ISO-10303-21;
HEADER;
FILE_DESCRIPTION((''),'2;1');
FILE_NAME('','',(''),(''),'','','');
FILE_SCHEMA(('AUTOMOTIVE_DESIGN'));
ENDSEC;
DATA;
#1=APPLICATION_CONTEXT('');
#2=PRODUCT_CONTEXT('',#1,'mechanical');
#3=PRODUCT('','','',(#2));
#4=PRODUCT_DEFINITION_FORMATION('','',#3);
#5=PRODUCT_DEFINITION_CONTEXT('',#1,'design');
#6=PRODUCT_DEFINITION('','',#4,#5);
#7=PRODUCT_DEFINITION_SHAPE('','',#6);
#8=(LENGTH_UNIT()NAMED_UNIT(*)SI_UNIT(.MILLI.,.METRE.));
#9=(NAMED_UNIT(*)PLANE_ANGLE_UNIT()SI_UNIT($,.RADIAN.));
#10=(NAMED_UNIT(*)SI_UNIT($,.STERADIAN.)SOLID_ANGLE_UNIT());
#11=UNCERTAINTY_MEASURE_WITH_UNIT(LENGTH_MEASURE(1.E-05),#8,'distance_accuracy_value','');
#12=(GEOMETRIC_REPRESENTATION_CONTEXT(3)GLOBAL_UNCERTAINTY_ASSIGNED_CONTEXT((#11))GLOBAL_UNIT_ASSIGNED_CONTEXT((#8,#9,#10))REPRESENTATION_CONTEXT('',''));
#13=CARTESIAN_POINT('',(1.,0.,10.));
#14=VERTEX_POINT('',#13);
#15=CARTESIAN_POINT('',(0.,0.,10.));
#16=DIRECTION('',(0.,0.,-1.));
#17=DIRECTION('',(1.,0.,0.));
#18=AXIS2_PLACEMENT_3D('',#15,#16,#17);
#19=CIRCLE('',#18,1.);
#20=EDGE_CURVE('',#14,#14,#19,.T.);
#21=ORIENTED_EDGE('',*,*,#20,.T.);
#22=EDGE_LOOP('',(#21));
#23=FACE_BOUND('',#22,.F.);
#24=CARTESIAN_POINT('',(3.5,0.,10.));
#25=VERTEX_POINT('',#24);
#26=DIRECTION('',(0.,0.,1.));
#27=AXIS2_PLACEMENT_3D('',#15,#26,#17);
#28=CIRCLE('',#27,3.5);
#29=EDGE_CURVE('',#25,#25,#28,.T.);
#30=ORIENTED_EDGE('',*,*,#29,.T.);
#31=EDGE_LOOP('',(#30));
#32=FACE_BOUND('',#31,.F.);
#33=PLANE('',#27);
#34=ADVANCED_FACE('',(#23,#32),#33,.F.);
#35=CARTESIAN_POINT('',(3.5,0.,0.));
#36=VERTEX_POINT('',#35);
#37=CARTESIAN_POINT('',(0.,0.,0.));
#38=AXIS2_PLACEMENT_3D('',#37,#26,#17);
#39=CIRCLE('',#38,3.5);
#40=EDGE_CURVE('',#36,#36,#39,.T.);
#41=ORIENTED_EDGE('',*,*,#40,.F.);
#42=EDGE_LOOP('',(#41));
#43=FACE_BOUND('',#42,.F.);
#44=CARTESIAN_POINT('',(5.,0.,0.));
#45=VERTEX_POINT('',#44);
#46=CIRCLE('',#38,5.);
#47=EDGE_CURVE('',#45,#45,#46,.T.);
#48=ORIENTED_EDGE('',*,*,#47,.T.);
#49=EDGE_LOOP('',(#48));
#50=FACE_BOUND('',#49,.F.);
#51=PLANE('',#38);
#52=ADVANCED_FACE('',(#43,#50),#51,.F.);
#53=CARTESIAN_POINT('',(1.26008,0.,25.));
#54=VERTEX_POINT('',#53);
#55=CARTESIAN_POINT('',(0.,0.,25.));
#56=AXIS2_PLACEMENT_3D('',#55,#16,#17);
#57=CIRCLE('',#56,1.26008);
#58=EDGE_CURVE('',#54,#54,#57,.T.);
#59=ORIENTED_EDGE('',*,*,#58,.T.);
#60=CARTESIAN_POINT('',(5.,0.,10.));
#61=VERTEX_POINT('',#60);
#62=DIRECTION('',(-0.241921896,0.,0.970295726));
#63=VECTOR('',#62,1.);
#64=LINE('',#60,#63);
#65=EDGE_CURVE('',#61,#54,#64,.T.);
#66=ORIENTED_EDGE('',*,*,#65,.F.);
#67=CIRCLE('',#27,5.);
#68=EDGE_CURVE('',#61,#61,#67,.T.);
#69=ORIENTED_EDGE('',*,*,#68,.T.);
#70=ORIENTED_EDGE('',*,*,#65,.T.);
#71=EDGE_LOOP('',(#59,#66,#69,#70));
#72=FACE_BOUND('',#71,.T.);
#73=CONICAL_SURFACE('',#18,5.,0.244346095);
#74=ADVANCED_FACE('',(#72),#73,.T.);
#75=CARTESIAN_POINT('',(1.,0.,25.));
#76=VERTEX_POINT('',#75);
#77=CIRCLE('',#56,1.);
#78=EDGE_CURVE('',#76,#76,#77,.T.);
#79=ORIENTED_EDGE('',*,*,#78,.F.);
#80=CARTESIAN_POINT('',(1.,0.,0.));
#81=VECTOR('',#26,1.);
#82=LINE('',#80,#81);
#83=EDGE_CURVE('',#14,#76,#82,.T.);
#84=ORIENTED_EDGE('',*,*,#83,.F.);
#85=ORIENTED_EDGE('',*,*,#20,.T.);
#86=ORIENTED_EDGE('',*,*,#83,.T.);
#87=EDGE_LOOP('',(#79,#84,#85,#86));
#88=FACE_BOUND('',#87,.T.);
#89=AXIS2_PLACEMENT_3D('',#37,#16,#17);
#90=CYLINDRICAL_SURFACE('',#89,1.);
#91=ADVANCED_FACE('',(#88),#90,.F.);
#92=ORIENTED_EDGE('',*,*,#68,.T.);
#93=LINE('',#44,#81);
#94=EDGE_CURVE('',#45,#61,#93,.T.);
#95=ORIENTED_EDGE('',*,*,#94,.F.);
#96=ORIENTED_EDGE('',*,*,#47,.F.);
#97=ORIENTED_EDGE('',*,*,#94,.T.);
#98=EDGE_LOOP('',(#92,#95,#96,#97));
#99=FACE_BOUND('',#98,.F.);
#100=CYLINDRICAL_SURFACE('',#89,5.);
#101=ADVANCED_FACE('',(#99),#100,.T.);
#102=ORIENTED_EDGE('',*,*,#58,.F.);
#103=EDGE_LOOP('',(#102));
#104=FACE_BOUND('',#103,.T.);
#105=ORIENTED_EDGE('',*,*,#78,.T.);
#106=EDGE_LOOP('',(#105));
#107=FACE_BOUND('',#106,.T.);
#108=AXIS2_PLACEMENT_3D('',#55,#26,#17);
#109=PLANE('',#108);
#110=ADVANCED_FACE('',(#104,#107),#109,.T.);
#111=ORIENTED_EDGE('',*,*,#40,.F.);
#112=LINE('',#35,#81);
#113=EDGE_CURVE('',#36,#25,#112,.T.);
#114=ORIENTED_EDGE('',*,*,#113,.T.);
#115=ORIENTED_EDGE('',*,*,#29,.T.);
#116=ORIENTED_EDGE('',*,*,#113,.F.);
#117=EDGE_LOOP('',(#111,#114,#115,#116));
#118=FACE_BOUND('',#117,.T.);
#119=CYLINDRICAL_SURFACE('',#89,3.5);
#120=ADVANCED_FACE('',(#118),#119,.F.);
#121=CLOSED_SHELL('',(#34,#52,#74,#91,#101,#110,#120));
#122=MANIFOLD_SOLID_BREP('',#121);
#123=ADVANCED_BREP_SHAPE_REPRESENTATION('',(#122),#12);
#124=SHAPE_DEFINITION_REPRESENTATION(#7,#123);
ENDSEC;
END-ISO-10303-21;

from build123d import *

# Parameters (mm, degrees)
F0_R     = 5
F0_R_2   = 3.5
F1_DEPTH = 10
F2_R     = 5
F3_DEPTH = 15
F3_TAPER = 14
F0_R_3   = 1
F4_DEPTH = 25.001


with BuildPart() as f1:
    # F0 (on Top) → F1 (new body)
    with BuildSketch(Plane.XY):
        Circle(F0_R)
        Circle(F0_R_2, mode=Mode.SUBTRACT)
    extrude(amount=F1_DEPTH)

    # F2 (on face) → F3 (join)
    with BuildSketch(Plane.XY.offset(10)):
        Circle(F2_R)
    extrude(amount=F3_DEPTH, taper=F3_TAPER)

    # F0 (on Top) → F4 (cut, through all)
    with BuildSketch(Plane.XY):
        Circle(F0_R_3)
    extrude(amount=F4_DEPTH, mode=Mode.SUBTRACT)


solid = f1.part
